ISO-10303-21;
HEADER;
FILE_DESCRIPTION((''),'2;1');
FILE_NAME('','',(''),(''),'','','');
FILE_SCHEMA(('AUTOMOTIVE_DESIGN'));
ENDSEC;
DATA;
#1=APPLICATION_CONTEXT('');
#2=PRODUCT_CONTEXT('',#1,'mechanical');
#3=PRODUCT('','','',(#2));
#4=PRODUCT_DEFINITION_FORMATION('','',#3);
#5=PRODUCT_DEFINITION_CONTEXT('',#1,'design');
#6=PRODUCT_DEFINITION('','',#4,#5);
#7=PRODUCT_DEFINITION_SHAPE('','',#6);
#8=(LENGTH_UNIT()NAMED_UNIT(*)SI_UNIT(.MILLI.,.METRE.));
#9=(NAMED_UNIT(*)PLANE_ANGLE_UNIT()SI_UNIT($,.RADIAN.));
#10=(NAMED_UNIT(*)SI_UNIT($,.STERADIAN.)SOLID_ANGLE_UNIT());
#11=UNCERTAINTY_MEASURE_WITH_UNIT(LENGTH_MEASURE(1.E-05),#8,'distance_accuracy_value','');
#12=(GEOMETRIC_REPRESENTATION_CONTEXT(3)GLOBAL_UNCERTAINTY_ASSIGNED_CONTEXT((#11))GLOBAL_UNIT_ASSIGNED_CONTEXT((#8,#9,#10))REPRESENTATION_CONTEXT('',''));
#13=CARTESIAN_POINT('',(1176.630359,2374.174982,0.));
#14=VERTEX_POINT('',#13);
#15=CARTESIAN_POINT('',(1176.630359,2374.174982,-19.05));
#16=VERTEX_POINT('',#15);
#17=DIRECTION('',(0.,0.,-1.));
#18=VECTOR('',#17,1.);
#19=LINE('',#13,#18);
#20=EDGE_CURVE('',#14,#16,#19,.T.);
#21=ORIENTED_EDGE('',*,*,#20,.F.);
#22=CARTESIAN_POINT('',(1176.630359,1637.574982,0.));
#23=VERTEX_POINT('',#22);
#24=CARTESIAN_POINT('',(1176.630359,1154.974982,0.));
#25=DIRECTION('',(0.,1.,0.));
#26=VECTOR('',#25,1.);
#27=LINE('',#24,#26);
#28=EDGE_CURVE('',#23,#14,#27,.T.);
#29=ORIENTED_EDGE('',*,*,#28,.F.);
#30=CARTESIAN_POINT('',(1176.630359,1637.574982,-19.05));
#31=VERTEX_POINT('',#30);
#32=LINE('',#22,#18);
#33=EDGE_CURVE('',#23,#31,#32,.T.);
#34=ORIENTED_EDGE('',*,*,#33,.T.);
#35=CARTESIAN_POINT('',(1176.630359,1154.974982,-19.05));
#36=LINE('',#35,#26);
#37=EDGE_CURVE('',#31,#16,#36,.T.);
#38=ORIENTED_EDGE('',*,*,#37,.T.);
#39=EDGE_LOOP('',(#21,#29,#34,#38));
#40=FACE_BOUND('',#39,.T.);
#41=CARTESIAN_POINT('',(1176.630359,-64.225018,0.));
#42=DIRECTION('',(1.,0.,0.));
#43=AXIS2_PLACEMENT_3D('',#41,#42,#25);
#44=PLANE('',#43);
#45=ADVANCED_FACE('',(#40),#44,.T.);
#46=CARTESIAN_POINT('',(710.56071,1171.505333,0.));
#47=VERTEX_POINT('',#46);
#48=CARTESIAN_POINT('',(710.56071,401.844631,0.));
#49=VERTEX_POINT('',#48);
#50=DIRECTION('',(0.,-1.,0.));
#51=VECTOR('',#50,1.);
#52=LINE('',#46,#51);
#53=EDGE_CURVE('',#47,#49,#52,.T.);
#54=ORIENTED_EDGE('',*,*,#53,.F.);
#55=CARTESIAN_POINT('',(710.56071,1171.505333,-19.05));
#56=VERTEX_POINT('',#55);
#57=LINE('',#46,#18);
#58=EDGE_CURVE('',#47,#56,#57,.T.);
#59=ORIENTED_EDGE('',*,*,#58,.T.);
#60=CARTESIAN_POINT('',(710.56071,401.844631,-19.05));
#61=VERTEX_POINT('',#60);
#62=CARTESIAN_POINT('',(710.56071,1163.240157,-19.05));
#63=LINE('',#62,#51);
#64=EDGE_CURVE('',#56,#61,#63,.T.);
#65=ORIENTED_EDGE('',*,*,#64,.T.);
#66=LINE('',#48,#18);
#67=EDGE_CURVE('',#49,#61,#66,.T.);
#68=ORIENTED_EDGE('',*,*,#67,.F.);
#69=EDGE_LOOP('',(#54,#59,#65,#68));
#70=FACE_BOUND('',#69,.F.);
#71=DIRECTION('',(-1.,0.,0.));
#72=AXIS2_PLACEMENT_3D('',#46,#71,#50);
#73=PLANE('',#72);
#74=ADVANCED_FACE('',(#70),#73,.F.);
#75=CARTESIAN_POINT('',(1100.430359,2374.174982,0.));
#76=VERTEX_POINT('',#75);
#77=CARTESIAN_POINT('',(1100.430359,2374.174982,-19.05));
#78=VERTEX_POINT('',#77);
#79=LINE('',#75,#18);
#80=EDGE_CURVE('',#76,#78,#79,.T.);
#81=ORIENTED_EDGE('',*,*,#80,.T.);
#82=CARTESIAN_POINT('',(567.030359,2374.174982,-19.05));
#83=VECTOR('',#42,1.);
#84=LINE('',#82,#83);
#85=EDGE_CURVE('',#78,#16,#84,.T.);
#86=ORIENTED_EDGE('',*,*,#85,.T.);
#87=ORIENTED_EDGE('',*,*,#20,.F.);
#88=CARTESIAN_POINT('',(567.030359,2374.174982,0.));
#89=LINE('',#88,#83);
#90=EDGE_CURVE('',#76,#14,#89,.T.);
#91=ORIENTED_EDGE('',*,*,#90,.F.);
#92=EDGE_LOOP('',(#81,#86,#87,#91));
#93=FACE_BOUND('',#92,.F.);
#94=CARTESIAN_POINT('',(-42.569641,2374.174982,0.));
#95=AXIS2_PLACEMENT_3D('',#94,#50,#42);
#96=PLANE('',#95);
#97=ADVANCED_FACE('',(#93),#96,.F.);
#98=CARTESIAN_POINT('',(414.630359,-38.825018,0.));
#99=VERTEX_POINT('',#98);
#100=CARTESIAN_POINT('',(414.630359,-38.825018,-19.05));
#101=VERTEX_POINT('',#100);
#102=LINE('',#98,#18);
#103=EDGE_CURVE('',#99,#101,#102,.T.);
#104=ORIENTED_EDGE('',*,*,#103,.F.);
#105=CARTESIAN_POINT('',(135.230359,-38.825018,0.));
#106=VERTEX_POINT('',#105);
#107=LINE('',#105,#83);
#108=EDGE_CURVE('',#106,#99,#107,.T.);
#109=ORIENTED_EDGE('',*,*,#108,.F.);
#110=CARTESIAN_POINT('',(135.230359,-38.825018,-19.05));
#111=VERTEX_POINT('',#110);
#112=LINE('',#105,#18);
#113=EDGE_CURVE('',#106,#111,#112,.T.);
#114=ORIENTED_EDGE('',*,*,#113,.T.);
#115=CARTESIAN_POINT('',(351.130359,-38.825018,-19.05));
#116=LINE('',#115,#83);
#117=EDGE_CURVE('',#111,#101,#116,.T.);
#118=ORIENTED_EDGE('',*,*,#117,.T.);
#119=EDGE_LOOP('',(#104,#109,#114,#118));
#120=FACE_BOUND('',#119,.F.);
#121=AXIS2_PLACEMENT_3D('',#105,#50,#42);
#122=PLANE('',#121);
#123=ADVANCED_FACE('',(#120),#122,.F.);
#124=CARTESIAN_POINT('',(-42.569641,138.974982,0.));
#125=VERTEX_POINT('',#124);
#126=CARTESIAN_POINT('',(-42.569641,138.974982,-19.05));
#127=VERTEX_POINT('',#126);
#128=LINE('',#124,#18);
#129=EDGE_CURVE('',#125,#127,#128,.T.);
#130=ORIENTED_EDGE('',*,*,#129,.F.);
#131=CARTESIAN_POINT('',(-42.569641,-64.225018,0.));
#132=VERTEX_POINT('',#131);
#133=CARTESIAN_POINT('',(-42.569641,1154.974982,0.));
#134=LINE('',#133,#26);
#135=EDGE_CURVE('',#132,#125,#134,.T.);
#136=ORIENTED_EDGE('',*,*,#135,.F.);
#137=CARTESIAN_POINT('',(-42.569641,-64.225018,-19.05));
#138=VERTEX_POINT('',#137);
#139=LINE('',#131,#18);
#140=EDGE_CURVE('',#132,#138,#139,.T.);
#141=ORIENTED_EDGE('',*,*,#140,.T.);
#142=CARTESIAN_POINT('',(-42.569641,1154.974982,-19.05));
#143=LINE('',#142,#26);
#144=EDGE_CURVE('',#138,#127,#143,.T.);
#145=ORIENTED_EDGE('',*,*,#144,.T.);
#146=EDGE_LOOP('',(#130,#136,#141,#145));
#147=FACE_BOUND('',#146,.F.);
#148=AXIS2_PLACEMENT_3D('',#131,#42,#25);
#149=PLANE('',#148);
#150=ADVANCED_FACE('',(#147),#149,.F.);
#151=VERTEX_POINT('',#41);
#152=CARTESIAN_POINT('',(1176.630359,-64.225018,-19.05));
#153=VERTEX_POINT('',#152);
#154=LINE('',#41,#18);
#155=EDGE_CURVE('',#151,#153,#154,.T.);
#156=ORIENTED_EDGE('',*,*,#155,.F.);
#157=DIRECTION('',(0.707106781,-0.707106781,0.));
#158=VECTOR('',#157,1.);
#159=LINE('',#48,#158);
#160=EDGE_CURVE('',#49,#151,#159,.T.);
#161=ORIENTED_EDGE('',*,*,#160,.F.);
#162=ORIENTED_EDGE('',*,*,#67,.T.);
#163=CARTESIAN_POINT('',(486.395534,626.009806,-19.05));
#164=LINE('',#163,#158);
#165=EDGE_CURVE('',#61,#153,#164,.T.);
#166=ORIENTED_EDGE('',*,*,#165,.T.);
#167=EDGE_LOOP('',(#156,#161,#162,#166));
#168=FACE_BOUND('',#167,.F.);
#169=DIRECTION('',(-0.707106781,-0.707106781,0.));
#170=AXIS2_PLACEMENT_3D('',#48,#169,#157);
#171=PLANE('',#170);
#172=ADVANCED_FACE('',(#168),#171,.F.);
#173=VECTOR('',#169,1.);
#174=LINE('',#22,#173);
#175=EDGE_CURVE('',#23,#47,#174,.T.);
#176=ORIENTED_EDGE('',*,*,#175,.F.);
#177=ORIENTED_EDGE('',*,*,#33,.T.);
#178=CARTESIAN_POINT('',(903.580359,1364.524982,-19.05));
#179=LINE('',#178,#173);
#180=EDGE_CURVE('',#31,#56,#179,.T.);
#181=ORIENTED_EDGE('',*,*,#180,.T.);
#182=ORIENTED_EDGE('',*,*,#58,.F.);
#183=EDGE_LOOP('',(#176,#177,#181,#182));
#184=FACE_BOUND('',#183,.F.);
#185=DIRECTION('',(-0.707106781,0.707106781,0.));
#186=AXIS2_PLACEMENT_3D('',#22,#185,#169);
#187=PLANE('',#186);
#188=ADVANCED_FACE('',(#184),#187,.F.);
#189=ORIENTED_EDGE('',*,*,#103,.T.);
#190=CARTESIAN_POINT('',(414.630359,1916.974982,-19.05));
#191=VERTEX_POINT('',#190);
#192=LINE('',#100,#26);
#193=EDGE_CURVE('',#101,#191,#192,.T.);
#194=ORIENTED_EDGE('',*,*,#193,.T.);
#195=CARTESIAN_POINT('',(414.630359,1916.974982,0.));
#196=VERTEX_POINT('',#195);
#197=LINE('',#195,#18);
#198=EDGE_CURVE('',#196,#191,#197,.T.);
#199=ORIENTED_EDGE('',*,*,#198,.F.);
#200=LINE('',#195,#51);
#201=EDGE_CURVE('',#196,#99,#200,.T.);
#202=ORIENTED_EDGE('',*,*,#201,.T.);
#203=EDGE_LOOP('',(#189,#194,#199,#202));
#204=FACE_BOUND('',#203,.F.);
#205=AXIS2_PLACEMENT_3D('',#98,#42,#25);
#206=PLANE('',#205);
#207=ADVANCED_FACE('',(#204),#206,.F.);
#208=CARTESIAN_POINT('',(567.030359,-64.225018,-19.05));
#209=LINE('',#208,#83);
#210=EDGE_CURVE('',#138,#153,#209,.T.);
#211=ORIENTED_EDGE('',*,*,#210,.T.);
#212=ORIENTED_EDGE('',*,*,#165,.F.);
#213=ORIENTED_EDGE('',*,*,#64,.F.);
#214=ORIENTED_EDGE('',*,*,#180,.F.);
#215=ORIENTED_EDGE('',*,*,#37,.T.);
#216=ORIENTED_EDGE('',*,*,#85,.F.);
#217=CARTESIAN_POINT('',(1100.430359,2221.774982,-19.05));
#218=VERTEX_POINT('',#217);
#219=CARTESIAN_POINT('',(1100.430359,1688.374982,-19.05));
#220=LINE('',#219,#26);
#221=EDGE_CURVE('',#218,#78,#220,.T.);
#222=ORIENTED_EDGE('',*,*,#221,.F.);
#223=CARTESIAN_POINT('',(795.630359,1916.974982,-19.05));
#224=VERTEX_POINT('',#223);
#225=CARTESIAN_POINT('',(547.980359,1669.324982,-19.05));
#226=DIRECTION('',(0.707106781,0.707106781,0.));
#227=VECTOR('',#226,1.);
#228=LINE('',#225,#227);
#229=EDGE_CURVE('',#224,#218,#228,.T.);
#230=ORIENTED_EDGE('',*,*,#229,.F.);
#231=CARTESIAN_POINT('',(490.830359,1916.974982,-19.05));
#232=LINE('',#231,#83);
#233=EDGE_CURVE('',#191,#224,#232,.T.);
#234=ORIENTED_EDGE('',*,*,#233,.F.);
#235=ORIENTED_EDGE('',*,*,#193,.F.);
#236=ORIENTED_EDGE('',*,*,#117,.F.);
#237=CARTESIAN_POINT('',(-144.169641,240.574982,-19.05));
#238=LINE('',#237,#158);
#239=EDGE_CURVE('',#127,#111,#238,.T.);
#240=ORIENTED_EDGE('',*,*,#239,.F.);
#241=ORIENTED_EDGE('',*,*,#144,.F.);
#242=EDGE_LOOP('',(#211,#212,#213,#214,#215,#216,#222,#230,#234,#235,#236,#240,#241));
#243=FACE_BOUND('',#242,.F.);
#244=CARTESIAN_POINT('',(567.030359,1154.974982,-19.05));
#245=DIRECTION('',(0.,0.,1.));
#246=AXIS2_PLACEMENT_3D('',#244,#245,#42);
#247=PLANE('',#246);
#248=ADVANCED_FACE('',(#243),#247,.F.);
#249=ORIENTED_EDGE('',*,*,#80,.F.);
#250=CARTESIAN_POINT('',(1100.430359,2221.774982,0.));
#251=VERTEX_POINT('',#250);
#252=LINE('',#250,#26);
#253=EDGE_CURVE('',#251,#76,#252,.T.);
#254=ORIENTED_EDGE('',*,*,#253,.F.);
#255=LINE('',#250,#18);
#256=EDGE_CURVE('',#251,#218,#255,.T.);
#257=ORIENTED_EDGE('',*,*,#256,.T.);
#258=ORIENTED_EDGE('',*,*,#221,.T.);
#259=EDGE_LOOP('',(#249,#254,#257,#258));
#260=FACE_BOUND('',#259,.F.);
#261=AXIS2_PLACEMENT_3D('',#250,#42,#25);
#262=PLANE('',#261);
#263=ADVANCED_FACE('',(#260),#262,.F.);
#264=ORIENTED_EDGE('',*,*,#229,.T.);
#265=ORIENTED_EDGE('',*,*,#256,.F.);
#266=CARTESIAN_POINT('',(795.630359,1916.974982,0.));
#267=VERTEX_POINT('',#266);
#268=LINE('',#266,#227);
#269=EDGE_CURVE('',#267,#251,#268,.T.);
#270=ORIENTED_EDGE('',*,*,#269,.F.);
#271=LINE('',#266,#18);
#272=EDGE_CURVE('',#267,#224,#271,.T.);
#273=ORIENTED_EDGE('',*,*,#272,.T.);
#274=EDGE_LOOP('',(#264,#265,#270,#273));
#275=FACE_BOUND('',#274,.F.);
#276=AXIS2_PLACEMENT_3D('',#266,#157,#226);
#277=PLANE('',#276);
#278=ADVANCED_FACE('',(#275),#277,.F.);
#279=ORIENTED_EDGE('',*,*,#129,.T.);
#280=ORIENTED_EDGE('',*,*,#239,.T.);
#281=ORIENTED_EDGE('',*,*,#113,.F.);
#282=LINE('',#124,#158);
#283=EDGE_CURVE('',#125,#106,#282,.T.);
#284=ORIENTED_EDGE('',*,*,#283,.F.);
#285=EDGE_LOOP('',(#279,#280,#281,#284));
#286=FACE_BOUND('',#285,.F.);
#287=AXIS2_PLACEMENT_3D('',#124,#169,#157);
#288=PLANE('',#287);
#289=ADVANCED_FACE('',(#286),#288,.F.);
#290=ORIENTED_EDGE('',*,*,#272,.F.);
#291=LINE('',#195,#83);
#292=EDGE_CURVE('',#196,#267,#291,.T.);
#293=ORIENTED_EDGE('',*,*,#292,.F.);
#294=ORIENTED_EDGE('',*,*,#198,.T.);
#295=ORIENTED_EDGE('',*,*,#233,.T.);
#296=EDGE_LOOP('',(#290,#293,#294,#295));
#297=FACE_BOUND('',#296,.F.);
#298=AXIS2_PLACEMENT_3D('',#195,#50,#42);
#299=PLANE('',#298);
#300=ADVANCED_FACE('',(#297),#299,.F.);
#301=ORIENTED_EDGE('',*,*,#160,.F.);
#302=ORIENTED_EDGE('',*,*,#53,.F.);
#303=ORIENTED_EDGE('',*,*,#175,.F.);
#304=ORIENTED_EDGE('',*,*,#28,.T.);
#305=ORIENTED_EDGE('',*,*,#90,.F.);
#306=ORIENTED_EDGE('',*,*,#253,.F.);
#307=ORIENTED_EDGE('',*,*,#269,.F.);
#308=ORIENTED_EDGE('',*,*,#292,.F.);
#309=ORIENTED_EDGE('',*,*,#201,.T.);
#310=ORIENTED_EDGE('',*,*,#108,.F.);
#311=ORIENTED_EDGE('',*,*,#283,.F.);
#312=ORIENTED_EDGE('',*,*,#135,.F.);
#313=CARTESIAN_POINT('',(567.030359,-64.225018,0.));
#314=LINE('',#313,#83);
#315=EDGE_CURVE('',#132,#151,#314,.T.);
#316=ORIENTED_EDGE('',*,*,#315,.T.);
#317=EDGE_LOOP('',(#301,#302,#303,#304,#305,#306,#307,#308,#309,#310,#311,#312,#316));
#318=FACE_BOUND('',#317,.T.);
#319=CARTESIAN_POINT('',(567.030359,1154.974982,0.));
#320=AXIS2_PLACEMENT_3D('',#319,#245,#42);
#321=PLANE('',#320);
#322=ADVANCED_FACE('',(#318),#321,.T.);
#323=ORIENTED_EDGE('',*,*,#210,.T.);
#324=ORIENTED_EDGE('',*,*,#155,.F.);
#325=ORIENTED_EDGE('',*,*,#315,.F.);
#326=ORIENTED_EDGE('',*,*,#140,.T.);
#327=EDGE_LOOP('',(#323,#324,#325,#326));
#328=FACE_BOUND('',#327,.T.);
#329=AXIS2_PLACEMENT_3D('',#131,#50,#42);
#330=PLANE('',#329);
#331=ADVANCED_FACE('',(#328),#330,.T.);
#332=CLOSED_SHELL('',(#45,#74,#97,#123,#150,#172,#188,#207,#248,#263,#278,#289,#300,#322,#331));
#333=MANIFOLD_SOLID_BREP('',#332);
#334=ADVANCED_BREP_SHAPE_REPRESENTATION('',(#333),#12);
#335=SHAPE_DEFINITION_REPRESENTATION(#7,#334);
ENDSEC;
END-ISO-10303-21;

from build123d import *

# Parameters (mm, degrees)
F0_W     = 1219.2
F0_H     = 2438.4
F1_DEPTH = 19.05
F3_DEPTH = 25.4
F5_DEPTH = 25.4
F7_DEPTH = 25.4
F9_DEPTH = 25.4


with BuildPart() as f1:
    # F0 (on Top) → F1 (new body)
    with BuildSketch(Plane.XY):
        with Locations((567.030359, 1154.974982)):
            Rectangle(F0_W, F0_H)
    extrude(amount=-F1_DEPTH)

    # F2 (on face) → F3 (cut)
    with BuildSketch(Plane.XY):
        Polygon((414.630359, 1916.974982), (-42.569641, 2374.174982), (-42.569641, 672.374982), (414.630359, 1129.574982), align=None)
    extrude(amount=-F3_DEPTH, mode=Mode.SUBTRACT)

    # F4 (on face) → F5 (cut)
    with BuildSketch(Plane.XY):
        Polygon((414.630359, 1129.574982), (-42.569641, 672.374982), (-42.569641, 138.974982), (135.230359, -38.825018), (414.630359, -38.825018), align=None)
    extrude(amount=-F5_DEPTH, mode=Mode.SUBTRACT)

    # F6 (on face) → F7 (cut)
    with BuildSketch(Plane.XY):
        Polygon((-42.569641, 2374.174982), (414.630359, 1916.974982), (795.630359, 1916.974982), (1100.430359, 2221.774982), (1100.430359, 2374.174982), align=None)
    extrude(amount=-F7_DEPTH, mode=Mode.SUBTRACT)

    # F8 (on face) → F9 (cut)
    with BuildSketch(Plane.XY):
        Polygon((710.56071, 401.844631), (1176.630359, -64.225018), (1176.630359, 1637.574982), (710.56071, 1171.505333), align=None)
    extrude(amount=-F9_DEPTH, mode=Mode.SUBTRACT)


solid = f1.part
